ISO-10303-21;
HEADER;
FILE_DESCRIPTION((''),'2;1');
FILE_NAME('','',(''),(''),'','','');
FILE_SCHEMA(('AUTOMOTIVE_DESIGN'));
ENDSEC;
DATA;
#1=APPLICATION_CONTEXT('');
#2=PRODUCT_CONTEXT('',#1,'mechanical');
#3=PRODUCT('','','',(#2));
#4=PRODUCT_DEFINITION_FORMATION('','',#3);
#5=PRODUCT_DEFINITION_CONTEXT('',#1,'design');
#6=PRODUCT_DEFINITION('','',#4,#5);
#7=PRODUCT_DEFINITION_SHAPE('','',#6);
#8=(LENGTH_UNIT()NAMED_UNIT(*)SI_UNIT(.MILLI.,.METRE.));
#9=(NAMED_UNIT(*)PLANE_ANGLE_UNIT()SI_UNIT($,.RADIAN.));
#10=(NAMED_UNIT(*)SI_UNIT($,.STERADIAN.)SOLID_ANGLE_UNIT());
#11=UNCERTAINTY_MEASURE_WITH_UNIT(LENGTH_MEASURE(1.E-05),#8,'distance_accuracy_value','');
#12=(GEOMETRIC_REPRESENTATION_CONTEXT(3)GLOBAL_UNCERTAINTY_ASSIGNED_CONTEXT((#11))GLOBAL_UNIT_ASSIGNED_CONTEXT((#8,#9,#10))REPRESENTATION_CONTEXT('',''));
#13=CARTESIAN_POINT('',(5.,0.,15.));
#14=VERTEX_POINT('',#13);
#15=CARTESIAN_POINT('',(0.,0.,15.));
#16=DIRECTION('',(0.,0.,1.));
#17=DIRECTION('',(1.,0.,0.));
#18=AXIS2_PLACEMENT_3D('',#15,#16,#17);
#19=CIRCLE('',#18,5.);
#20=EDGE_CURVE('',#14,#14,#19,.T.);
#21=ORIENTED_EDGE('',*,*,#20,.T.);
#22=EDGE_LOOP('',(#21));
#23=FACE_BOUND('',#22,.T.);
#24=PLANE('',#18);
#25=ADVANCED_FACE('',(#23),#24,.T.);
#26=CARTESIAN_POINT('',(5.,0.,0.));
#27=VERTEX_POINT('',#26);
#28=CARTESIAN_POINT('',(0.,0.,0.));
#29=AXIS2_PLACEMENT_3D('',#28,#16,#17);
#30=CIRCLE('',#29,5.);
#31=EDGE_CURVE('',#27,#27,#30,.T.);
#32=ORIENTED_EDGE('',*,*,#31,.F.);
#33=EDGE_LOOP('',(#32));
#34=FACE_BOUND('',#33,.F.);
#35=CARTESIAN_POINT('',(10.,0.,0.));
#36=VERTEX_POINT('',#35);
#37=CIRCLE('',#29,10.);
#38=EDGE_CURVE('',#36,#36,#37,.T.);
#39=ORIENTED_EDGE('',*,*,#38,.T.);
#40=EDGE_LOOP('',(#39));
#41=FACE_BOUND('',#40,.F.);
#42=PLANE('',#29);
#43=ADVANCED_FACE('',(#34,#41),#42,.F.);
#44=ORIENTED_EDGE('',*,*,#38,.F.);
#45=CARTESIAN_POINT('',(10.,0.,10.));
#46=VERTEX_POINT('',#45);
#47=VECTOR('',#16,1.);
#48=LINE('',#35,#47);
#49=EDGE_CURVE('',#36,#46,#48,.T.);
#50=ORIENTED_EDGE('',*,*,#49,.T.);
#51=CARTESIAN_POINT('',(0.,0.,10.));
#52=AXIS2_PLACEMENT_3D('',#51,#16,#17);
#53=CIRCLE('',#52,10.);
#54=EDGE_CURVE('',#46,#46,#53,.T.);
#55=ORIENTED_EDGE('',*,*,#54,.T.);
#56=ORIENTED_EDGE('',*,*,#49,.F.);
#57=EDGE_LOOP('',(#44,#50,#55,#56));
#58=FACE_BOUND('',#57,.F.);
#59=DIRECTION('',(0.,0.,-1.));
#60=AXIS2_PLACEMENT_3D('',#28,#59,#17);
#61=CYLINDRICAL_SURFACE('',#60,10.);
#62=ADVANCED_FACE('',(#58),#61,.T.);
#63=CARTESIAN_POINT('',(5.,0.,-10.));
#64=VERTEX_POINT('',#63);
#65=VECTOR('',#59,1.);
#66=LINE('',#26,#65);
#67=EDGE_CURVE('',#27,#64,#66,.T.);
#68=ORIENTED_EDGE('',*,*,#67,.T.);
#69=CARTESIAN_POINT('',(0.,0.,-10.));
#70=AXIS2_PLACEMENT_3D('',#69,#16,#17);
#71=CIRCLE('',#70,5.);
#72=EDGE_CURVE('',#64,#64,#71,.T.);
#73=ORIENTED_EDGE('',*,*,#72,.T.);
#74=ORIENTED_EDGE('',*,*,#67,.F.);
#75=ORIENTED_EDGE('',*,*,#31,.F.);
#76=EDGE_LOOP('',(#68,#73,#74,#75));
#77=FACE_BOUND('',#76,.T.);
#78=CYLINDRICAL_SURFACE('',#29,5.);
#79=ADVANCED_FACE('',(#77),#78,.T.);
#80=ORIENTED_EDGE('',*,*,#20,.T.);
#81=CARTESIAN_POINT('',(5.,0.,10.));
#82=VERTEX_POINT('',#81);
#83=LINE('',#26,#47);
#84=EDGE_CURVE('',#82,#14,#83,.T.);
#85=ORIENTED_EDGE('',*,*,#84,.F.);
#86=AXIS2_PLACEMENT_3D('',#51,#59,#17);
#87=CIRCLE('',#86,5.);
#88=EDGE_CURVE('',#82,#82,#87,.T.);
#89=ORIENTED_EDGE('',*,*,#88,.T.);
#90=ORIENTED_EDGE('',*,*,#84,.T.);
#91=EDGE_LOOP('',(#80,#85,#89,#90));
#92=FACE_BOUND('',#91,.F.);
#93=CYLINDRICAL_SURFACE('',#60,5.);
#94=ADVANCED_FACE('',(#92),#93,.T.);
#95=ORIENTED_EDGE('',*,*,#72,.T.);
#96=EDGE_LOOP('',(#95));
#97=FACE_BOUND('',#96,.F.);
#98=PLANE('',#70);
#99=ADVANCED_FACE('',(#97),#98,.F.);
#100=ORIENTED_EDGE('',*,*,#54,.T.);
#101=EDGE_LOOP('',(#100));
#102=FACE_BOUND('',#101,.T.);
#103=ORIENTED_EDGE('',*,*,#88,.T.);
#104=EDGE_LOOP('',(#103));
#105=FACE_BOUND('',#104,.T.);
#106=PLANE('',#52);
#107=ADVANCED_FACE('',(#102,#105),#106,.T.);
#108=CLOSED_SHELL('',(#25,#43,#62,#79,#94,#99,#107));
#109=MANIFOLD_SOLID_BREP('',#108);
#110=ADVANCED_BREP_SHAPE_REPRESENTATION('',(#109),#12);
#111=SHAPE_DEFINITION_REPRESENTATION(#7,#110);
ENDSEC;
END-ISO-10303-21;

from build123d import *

# Parameters (mm, degrees)
F0_R     = 10
F1_DEPTH = 10
F2_R     = 5
F3_DEPTH = 15
F4_DEPTH = 10


with BuildPart() as f1:
    # F0 (on Top) → F1 (new body)
    with BuildSketch(Plane.XY):
        Circle(F0_R)
    extrude(amount=F1_DEPTH)

    # F2 (on Top) → F3 (join)
    with BuildSketch(Plane.XY):
        Circle(F2_R)
    extrude(amount=F3_DEPTH)

    # F2 (on Top) → F4 (join)
    with BuildSketch(Plane.XY):
        Circle(F2_R)
    extrude(amount=-F4_DEPTH)


solid = f1.part
